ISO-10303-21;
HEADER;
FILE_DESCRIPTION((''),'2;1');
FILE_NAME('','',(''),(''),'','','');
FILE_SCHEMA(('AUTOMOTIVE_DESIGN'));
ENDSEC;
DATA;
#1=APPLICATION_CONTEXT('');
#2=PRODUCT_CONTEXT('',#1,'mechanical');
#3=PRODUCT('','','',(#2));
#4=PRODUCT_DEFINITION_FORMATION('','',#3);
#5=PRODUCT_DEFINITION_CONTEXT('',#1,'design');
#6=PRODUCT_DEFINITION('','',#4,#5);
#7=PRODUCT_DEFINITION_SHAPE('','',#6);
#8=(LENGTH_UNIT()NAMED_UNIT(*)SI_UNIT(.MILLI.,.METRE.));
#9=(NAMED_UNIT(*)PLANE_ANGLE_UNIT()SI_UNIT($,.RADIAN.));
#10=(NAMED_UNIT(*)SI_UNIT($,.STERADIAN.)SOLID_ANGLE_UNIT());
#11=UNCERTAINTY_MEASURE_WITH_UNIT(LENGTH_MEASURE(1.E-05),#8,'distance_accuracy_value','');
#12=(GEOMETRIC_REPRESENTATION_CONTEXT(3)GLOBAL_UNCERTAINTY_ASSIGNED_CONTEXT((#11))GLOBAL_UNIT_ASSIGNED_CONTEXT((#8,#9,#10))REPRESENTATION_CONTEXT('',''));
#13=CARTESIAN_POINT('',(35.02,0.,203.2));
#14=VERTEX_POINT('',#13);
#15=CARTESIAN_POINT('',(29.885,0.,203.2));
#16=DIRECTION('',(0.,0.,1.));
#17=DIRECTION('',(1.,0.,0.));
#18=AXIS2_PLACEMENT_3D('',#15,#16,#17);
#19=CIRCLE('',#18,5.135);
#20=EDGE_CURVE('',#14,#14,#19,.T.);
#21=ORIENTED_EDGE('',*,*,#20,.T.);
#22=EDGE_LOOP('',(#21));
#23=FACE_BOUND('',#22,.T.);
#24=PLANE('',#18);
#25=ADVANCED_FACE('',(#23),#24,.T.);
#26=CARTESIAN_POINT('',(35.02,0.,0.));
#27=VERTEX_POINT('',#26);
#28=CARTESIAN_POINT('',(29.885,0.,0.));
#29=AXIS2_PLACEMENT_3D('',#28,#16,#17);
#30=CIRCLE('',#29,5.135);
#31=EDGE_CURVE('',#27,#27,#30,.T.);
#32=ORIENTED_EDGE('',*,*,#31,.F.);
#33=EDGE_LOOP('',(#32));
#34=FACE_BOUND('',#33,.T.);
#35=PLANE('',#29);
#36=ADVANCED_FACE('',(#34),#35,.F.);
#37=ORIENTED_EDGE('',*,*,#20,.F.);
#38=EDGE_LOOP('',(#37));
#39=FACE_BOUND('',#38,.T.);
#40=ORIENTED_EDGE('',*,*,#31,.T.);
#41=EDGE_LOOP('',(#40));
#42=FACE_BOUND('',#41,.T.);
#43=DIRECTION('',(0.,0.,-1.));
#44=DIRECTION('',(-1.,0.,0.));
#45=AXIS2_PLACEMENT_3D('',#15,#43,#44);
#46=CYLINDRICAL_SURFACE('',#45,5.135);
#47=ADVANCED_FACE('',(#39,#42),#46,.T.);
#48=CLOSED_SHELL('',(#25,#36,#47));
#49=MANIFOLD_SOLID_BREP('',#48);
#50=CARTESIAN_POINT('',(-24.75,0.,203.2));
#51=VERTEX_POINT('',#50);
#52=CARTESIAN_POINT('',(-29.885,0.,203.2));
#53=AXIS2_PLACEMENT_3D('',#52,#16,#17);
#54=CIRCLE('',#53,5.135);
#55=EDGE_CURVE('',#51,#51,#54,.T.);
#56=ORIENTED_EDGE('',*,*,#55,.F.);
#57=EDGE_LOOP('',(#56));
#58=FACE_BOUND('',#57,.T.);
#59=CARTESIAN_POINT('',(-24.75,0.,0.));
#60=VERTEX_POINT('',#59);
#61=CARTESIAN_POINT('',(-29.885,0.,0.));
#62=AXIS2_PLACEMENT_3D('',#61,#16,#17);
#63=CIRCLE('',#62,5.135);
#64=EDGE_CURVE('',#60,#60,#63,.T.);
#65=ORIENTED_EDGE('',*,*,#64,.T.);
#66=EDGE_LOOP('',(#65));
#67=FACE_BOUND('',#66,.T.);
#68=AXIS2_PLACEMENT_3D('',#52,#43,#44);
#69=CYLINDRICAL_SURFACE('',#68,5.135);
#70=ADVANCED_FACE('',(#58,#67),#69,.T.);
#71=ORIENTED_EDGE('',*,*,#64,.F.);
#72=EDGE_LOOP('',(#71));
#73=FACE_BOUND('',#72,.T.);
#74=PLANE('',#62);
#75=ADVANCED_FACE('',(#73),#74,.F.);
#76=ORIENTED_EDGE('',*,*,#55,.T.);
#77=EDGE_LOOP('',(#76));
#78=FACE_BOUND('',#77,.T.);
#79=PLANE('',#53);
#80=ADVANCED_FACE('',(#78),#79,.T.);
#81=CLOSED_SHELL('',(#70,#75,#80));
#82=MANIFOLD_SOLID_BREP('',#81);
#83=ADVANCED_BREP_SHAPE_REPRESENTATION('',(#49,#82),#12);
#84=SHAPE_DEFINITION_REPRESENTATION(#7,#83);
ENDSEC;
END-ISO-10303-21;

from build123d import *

# Parameters (mm, degrees)
SKETCH1_R             = 5.135
BOSS_EXTRUDE1_DEPTH   = 203.2
BOSS_EXTRUDE1_2_DEPTH = 203.2


with BuildPart() as part:
    # Sketch1 → Boss-Extrude1 (new body)
    with BuildSketch(Plane.XY):
        with Locations((-29.885, 0)):
            Circle(SKETCH1_R)
    extrude(amount=BOSS_EXTRUDE1_DEPTH)


with BuildPart() as body_2:
    # Sketch1 → Boss-Extrude1 2 (new body)
    with BuildSketch(Plane.XY):
        with Locations((29.885, 0)):
            Circle(SKETCH1_R)
    extrude(amount=BOSS_EXTRUDE1_2_DEPTH)


solid = Compound([part.part, body_2.part])
